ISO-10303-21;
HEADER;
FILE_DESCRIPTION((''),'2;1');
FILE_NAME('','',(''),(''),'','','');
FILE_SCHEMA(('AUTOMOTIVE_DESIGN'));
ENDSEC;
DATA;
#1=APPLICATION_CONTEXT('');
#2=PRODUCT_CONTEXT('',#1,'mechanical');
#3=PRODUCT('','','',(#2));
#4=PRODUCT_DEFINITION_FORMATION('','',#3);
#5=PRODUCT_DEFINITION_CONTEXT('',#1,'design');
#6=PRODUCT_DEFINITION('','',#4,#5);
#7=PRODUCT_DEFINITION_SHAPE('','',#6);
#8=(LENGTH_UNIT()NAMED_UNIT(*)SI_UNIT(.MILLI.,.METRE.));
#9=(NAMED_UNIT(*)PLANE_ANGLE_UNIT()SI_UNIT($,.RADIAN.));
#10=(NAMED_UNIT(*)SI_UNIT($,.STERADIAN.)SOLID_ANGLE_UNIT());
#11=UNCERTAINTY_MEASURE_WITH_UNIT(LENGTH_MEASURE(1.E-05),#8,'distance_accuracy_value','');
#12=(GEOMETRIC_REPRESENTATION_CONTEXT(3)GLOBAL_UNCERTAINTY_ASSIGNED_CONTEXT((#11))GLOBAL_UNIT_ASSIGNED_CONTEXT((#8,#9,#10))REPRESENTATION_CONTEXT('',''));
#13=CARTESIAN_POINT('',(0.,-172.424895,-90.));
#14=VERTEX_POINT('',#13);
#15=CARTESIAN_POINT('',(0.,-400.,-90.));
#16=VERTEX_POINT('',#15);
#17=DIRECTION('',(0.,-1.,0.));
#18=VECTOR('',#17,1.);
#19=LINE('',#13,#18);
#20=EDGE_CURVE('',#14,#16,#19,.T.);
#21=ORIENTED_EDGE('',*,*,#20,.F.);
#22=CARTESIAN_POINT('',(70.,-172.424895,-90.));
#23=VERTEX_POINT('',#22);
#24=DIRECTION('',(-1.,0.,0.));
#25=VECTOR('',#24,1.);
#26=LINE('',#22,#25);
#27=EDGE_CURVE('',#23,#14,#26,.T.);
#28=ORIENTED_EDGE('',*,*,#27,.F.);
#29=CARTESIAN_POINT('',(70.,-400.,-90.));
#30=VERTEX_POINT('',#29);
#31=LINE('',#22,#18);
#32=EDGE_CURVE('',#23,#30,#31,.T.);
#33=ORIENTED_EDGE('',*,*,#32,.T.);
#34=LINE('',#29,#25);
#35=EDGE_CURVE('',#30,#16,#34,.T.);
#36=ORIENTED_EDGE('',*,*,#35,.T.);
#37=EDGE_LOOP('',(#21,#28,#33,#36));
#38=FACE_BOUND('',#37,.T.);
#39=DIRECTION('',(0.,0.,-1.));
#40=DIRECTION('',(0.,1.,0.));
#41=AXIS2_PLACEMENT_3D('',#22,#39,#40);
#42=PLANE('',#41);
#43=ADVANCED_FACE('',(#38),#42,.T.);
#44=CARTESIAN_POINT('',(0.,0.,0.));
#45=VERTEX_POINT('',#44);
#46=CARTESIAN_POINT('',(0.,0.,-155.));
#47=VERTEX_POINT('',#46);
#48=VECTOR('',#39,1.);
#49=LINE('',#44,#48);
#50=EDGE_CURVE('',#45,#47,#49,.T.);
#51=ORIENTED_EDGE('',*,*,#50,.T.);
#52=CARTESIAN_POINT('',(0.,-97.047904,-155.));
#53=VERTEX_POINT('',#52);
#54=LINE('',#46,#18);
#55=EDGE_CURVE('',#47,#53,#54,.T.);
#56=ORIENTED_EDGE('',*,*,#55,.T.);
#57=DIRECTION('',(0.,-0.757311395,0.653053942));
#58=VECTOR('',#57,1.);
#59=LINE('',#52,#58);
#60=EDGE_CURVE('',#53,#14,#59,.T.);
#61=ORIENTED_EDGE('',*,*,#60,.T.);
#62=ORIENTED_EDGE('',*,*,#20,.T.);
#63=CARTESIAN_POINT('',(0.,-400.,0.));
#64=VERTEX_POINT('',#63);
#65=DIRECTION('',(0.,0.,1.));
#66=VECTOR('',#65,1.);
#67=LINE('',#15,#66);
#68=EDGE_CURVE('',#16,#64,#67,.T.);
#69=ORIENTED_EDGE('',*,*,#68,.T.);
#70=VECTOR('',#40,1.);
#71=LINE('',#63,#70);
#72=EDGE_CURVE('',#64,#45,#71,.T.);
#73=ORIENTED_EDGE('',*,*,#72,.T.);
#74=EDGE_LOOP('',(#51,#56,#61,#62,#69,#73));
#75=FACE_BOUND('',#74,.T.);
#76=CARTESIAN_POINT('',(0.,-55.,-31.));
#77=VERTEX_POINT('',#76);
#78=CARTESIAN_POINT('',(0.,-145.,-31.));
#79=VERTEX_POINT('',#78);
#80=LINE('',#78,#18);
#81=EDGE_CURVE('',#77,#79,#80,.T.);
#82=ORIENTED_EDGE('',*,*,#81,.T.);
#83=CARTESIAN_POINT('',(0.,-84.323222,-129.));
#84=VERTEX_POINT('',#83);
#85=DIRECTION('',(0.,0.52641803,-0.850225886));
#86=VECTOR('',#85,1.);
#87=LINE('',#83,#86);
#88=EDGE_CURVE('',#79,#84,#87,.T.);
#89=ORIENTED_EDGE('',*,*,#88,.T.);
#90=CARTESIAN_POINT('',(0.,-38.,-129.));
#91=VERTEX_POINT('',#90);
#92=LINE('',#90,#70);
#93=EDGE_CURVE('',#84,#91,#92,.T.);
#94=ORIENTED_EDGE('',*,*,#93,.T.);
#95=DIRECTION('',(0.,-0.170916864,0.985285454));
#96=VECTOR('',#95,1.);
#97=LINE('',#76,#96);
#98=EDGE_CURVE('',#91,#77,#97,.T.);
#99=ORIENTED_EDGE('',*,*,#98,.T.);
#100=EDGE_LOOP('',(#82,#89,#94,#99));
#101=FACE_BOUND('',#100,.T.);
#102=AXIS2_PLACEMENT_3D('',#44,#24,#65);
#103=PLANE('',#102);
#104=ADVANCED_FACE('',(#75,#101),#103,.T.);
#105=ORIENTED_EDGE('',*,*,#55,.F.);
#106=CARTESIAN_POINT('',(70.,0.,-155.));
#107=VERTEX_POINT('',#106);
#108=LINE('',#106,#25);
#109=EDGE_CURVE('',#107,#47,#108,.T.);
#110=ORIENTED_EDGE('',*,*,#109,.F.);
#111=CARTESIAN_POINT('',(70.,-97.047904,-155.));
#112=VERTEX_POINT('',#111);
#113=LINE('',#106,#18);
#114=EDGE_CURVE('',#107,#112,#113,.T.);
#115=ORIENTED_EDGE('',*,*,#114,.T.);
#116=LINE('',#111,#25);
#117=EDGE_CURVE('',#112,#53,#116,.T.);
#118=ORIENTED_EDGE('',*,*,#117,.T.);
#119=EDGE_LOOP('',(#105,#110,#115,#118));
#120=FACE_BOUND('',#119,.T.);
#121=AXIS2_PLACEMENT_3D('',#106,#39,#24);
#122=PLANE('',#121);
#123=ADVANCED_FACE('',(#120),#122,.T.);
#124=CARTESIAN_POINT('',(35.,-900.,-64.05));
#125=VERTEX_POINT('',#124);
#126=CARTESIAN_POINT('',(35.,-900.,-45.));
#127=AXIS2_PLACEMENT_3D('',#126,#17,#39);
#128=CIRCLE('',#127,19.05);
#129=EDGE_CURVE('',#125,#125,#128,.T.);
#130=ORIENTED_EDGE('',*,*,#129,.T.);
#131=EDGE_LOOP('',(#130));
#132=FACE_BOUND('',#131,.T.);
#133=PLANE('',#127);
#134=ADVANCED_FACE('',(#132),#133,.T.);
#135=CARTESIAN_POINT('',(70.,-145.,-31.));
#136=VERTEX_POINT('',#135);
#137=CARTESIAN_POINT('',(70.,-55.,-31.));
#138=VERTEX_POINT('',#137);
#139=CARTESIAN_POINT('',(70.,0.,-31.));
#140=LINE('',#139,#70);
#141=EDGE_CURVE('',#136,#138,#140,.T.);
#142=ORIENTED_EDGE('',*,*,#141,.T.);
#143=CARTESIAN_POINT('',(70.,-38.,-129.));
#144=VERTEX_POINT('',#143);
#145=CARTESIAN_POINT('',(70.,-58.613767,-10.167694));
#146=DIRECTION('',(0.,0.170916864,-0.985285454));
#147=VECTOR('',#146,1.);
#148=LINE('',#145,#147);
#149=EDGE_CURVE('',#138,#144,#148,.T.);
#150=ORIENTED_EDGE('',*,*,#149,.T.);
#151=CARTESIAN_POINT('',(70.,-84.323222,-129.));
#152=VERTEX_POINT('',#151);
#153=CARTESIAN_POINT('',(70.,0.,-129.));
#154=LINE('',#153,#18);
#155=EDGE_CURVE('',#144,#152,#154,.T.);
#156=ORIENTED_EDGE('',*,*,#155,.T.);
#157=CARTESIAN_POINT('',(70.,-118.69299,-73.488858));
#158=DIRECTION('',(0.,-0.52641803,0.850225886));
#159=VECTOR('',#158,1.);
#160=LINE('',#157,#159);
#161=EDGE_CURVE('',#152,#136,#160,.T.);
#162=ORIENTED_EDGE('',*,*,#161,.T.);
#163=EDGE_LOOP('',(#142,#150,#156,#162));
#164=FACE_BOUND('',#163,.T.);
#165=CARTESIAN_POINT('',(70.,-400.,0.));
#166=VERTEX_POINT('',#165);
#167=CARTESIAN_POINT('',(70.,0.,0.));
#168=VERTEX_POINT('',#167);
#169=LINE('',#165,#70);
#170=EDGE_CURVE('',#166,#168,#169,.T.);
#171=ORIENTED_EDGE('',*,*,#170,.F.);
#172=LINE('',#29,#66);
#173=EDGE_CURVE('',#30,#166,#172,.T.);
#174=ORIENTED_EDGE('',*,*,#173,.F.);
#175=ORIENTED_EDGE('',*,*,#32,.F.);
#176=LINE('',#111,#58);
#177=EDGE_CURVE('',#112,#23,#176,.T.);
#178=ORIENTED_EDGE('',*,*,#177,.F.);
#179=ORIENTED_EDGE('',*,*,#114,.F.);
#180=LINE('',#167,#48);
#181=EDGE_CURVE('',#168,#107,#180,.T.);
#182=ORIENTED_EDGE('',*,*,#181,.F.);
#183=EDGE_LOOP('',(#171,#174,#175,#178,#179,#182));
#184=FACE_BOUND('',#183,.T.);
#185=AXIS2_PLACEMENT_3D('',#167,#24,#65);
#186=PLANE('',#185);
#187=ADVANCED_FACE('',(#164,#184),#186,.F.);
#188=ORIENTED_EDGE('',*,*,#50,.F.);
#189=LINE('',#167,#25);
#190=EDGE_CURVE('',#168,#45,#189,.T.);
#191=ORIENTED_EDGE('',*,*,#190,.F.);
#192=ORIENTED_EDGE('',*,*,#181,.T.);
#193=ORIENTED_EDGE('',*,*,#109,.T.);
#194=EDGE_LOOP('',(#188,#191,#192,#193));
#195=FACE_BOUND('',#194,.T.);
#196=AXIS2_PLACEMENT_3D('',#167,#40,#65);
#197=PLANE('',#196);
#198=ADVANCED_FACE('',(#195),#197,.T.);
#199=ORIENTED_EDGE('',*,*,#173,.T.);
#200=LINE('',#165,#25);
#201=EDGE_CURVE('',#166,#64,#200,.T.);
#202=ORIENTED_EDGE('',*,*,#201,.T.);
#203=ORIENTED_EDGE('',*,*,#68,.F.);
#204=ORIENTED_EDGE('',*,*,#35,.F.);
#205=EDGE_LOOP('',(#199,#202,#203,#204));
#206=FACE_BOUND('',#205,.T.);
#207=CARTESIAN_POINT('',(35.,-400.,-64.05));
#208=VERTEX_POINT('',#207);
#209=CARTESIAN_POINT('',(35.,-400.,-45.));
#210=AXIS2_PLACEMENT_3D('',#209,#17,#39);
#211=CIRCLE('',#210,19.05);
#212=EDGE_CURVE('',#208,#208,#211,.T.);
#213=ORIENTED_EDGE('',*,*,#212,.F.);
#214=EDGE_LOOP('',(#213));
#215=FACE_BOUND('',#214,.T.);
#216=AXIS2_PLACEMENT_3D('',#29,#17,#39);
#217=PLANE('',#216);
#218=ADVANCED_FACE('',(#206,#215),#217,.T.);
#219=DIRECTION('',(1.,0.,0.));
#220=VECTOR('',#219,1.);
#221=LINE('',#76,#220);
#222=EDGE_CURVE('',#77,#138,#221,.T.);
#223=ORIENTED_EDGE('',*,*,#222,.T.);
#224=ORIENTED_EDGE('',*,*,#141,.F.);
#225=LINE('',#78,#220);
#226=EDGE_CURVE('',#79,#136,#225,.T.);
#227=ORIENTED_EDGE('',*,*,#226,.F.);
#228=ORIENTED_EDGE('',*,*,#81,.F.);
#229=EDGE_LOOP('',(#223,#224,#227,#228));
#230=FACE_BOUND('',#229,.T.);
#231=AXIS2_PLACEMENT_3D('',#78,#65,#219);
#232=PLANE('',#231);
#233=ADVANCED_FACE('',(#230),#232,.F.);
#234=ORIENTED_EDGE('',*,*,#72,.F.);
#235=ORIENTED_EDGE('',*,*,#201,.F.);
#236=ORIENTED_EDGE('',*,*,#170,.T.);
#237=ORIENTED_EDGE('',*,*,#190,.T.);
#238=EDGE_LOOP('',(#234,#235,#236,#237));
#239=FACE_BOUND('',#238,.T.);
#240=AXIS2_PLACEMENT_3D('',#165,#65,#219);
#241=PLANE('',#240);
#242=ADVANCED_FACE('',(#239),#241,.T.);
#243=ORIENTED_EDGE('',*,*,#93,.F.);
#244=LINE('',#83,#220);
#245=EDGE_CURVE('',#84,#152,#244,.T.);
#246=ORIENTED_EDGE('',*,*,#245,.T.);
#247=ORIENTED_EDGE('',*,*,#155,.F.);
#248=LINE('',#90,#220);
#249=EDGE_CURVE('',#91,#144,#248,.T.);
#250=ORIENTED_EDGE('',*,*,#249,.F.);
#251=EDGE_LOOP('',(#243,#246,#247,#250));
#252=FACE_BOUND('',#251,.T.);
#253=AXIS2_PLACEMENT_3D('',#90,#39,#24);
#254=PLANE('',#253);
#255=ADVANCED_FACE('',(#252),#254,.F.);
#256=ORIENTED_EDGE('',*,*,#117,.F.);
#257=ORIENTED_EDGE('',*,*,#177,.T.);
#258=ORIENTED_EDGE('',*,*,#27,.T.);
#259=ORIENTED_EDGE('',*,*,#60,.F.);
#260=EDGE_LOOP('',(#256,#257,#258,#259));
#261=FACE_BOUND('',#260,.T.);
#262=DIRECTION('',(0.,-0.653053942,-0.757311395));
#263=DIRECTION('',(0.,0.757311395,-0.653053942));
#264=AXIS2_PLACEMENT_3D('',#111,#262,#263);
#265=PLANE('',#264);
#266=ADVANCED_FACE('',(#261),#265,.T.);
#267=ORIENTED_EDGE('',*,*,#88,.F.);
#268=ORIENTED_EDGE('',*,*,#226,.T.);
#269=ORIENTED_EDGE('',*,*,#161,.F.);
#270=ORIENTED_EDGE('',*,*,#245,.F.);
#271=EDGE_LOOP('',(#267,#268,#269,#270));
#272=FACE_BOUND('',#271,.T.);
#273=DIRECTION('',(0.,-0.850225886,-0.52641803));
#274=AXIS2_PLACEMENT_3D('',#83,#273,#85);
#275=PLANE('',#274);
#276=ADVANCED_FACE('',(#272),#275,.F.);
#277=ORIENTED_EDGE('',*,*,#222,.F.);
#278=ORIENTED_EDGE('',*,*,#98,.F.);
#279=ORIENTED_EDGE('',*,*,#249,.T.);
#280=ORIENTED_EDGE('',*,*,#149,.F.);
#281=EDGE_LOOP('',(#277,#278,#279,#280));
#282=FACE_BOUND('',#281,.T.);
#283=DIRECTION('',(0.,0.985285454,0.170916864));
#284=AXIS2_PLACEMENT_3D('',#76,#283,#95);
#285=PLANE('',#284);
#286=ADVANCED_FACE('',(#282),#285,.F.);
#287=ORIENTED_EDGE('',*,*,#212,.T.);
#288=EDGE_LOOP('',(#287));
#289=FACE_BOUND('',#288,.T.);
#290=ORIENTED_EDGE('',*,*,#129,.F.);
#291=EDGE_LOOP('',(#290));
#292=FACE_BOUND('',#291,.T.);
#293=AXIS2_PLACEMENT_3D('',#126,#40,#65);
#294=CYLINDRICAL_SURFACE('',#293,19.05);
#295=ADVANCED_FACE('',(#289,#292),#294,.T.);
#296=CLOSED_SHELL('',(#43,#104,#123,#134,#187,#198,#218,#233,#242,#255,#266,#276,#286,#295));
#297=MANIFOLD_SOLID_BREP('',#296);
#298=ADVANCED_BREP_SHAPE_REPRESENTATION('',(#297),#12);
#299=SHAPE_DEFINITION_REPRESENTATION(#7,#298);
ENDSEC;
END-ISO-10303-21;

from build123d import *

# Parameters (mm, degrees)
BOSS_EXTRUDE1_DEPTH     = 70
CUT_EXTRUDE1_DEPTH      = 435.655035632
CUT_EXTRUDE1_DEPTH_BACK = 435.655035632
SKETCH4_R               = 19.05
BOSS_EXTRUDE2_DEPTH     = 500


with BuildPart() as part:
    # Sketch2 → Boss-Extrude1 (new body)
    with BuildSketch(Plane(origin=(0, 0, 0), x_dir=(0, 0, -1), z_dir=(1, 0, 0))):
        Polygon((0, 0), (155, 0), (155, -97.047904462), (90, -172.424894861), (90, -400), (0, -400), align=None)
    extrude(amount=BOSS_EXTRUDE1_DEPTH)

    # Sketch3 → Cut-Extrude1 (cut, two sides: drawn at the far end of the back side and taken through both)
    with BuildSketch(Plane(origin=(70, 0, 0), x_dir=(0, 0, -1), z_dir=(1, 0, 0)).offset(-CUT_EXTRUDE1_DEPTH_BACK)):
        Polygon((31, -55), (129, -38), (129, -84.32322248), (31, -145), align=None)
    extrude(amount=CUT_EXTRUDE1_DEPTH + CUT_EXTRUDE1_DEPTH_BACK, mode=Mode.SUBTRACT)

    # Sketch4 → Boss-Extrude2 (add)
    with BuildSketch(Plane.XZ.offset(400)):
        with Locations(Location((35, -45, 0), (0, 0, 270))):
            Circle(SKETCH4_R)
    extrude(amount=BOSS_EXTRUDE2_DEPTH)


solid = part.part
